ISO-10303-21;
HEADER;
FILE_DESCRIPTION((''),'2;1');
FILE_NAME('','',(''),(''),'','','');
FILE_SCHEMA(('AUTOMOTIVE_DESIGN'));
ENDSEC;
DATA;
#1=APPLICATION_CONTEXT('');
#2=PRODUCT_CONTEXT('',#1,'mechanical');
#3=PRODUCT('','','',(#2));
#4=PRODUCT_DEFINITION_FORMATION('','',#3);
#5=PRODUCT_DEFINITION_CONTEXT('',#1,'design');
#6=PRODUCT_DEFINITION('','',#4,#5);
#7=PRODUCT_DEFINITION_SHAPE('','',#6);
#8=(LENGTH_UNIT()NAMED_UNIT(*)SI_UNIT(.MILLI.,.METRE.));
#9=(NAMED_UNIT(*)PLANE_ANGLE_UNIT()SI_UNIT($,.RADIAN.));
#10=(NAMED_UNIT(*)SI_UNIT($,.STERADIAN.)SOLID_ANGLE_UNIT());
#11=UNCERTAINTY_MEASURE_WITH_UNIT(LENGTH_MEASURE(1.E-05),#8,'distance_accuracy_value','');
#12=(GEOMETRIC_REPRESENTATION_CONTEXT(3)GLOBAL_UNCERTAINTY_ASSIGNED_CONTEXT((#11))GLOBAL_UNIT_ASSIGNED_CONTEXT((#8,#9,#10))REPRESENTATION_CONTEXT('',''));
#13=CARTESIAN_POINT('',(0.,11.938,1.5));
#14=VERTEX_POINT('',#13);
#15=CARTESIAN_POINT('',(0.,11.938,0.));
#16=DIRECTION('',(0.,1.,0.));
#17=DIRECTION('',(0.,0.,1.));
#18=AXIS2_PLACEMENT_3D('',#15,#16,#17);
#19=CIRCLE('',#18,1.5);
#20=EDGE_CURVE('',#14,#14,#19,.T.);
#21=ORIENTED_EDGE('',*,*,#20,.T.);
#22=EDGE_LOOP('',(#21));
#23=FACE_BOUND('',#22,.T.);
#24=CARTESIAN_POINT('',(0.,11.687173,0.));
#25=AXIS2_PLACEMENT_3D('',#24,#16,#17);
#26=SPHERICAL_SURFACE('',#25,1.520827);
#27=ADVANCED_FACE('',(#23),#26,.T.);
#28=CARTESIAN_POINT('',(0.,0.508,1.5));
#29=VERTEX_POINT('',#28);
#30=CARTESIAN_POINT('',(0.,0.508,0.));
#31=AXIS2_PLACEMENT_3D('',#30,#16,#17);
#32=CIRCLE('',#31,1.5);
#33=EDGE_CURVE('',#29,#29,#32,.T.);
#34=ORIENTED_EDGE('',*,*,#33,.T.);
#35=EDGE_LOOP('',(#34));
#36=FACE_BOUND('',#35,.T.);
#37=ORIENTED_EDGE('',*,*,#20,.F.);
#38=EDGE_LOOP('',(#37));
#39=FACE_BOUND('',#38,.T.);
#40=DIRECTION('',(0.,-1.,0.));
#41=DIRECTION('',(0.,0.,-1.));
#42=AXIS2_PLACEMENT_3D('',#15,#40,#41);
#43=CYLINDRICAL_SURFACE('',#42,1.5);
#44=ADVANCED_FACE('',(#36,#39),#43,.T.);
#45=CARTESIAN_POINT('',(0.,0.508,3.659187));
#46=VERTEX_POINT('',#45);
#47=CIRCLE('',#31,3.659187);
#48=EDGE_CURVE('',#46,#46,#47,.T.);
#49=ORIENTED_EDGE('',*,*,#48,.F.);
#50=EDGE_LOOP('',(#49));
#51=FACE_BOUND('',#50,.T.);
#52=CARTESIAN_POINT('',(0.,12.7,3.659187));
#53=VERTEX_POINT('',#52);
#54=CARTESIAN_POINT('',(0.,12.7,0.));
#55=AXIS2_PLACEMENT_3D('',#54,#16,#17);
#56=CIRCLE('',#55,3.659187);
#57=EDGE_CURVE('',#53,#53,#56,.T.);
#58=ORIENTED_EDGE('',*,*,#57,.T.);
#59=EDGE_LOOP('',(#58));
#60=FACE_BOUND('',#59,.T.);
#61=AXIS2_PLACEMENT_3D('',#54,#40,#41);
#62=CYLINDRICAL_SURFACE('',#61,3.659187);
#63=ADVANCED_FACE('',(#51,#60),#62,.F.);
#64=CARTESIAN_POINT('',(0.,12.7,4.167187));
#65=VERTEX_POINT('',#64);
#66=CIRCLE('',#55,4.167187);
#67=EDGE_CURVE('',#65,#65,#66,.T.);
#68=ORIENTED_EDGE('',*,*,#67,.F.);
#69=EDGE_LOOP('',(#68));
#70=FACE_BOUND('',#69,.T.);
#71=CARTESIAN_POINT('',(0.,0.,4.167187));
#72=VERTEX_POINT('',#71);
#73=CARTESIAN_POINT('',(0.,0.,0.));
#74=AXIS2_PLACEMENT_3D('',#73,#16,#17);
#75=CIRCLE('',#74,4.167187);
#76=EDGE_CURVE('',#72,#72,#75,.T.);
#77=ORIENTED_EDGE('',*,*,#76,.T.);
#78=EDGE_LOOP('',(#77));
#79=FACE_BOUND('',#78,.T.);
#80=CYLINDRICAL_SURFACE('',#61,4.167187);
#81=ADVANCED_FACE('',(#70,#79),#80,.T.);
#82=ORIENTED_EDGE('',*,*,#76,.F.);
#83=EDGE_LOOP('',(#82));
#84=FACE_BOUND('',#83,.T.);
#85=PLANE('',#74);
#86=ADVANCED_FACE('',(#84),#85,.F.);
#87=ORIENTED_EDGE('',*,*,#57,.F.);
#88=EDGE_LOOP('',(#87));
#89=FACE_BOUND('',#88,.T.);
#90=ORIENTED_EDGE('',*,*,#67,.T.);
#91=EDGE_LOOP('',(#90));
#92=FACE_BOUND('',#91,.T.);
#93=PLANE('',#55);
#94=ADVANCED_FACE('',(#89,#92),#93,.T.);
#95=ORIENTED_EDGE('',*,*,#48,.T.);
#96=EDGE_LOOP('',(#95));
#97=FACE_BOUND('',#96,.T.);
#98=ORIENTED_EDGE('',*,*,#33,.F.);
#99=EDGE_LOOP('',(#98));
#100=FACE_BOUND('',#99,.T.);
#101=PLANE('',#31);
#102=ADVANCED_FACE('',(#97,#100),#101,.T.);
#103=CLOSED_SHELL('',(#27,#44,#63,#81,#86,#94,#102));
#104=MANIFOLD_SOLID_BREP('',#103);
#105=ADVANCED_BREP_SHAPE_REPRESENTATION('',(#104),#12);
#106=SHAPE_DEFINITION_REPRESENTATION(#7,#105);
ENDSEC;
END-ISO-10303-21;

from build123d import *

# Parameters (mm, degrees)
SKETCH1_R           = 4.1671875
BOSS_EXTRUDE1_DEPTH = 12.7
SHELL1_T            = -0.508
SKETCH2_R           = 1.5
BOSS_EXTRUDE2_DEPTH = 11.43
DOME1_FACE_RADIUS   = 1.5
DOME1_HEIGHT        = 1.27


with BuildPart() as part:
    # Sketch1 → Boss-Extrude1 (new body)
    with BuildSketch(Plane(origin=(0, 0, 0), x_dir=(1, 0, 0), z_dir=(0, 1, 0))):
        with Locations(Location((0, 0, 0), (0, 0, 270))):
            Circle(SKETCH1_R)
    extrude(amount=BOSS_EXTRUDE1_DEPTH)

    # Shell1
    shell1_openings = [part.faces().sort_by_distance(p)[0] for p in [
        (0, 12.7, 0),
    ]]
    offset(amount=SHELL1_T, openings=shell1_openings, kind=Kind.INTERSECTION)

    # Sketch2 → Boss-Extrude2 (add)
    with BuildSketch(Plane(origin=(0, 0.508, 0), x_dir=(1, 0, 0), z_dir=(0, 1, 0))):
        with Locations(Location((0, 0, 0), (0, 0, 270))):
            Circle(SKETCH2_R)
    extrude(amount=BOSS_EXTRUDE2_DEPTH)

    # Dome1: a dome of height H over a round flat face of radius A is a cap of a sphere of radius (A * A + H * H) / (2 * H)
    dome1_r = (DOME1_FACE_RADIUS * DOME1_FACE_RADIUS + DOME1_HEIGHT * DOME1_HEIGHT) / (2 * DOME1_HEIGHT)
    dome1_base = Plane((0, 11.938, 0), z_dir=(0, 1, 0))
    with Locations(dome1_base.offset(DOME1_HEIGHT - dome1_r)):
        dome1_ball = Sphere(dome1_r, mode=Mode.PRIVATE)
    add(split(dome1_ball, bisect_by=dome1_base, keep=Keep.TOP, mode=Mode.PRIVATE))


solid = part.part
